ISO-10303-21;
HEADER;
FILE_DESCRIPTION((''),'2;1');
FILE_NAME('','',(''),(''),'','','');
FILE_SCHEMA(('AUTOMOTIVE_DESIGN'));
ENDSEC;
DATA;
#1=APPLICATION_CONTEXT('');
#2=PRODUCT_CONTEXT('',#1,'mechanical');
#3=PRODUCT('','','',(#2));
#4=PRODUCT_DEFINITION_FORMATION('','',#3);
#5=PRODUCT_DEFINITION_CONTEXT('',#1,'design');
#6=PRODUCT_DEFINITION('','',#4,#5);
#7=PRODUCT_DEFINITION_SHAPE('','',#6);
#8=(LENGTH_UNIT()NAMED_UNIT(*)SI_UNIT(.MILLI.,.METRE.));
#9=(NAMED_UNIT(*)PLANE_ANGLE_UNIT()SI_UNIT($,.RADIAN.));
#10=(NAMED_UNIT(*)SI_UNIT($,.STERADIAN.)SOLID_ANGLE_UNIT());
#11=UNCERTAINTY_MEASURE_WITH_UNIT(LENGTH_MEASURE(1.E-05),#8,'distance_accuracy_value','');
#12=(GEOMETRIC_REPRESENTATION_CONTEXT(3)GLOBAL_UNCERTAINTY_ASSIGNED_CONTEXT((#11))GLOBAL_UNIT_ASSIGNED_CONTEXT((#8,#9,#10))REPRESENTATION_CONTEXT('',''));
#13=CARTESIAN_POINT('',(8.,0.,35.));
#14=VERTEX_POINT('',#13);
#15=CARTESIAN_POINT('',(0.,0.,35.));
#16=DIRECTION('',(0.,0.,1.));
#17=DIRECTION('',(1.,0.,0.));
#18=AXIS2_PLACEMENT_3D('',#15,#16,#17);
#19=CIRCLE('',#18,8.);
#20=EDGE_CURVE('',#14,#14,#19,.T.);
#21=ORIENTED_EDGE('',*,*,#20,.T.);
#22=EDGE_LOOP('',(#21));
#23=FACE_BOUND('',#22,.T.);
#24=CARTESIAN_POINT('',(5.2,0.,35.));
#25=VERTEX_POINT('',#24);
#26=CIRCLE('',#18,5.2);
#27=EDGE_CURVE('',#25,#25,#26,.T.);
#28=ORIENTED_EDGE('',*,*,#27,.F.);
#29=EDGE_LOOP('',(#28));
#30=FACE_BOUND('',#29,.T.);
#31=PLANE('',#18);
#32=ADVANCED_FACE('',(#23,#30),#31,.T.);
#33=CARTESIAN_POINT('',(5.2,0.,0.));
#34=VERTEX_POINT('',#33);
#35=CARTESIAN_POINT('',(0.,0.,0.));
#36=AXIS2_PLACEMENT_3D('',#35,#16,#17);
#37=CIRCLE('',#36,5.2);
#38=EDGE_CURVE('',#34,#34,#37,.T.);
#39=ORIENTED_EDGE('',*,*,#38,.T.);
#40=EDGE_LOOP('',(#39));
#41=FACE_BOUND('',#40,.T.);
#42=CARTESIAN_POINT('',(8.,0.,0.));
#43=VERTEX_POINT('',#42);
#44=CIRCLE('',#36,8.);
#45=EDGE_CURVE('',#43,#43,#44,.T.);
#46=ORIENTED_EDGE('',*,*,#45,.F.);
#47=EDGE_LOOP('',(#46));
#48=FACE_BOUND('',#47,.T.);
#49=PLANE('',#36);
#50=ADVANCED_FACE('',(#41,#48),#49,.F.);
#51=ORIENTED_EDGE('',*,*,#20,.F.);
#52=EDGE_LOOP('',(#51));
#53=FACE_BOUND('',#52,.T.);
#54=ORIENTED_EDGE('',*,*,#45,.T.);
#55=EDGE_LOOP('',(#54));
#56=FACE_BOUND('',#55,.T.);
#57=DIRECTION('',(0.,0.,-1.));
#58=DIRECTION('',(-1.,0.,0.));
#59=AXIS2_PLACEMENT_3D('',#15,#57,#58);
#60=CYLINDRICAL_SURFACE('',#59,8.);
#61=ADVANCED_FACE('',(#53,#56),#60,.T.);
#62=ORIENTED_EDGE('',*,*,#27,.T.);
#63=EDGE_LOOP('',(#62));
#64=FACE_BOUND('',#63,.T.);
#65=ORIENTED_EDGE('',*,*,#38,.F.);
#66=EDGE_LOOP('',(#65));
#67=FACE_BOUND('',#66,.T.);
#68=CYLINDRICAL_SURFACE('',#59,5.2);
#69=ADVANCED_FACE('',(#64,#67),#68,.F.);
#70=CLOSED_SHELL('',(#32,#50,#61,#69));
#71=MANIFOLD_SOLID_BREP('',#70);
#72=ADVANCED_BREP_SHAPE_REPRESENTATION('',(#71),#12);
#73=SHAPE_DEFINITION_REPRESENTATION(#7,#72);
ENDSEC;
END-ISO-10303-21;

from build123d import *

# Parameters (mm, degrees)
SZKIC1_R                    = 8
SZKIC1_R_2                  = 5.2
DODANIE_WYCI_GNI_CIE1_DEPTH = 35


with BuildPart() as part:
    # Szkic1 → Dodanie-wyciągnięcie1 (new body)
    with BuildSketch(Plane.XY):
        Circle(SZKIC1_R)
        Circle(SZKIC1_R_2, mode=Mode.SUBTRACT)
    extrude(amount=DODANIE_WYCI_GNI_CIE1_DEPTH)


solid = part.part
